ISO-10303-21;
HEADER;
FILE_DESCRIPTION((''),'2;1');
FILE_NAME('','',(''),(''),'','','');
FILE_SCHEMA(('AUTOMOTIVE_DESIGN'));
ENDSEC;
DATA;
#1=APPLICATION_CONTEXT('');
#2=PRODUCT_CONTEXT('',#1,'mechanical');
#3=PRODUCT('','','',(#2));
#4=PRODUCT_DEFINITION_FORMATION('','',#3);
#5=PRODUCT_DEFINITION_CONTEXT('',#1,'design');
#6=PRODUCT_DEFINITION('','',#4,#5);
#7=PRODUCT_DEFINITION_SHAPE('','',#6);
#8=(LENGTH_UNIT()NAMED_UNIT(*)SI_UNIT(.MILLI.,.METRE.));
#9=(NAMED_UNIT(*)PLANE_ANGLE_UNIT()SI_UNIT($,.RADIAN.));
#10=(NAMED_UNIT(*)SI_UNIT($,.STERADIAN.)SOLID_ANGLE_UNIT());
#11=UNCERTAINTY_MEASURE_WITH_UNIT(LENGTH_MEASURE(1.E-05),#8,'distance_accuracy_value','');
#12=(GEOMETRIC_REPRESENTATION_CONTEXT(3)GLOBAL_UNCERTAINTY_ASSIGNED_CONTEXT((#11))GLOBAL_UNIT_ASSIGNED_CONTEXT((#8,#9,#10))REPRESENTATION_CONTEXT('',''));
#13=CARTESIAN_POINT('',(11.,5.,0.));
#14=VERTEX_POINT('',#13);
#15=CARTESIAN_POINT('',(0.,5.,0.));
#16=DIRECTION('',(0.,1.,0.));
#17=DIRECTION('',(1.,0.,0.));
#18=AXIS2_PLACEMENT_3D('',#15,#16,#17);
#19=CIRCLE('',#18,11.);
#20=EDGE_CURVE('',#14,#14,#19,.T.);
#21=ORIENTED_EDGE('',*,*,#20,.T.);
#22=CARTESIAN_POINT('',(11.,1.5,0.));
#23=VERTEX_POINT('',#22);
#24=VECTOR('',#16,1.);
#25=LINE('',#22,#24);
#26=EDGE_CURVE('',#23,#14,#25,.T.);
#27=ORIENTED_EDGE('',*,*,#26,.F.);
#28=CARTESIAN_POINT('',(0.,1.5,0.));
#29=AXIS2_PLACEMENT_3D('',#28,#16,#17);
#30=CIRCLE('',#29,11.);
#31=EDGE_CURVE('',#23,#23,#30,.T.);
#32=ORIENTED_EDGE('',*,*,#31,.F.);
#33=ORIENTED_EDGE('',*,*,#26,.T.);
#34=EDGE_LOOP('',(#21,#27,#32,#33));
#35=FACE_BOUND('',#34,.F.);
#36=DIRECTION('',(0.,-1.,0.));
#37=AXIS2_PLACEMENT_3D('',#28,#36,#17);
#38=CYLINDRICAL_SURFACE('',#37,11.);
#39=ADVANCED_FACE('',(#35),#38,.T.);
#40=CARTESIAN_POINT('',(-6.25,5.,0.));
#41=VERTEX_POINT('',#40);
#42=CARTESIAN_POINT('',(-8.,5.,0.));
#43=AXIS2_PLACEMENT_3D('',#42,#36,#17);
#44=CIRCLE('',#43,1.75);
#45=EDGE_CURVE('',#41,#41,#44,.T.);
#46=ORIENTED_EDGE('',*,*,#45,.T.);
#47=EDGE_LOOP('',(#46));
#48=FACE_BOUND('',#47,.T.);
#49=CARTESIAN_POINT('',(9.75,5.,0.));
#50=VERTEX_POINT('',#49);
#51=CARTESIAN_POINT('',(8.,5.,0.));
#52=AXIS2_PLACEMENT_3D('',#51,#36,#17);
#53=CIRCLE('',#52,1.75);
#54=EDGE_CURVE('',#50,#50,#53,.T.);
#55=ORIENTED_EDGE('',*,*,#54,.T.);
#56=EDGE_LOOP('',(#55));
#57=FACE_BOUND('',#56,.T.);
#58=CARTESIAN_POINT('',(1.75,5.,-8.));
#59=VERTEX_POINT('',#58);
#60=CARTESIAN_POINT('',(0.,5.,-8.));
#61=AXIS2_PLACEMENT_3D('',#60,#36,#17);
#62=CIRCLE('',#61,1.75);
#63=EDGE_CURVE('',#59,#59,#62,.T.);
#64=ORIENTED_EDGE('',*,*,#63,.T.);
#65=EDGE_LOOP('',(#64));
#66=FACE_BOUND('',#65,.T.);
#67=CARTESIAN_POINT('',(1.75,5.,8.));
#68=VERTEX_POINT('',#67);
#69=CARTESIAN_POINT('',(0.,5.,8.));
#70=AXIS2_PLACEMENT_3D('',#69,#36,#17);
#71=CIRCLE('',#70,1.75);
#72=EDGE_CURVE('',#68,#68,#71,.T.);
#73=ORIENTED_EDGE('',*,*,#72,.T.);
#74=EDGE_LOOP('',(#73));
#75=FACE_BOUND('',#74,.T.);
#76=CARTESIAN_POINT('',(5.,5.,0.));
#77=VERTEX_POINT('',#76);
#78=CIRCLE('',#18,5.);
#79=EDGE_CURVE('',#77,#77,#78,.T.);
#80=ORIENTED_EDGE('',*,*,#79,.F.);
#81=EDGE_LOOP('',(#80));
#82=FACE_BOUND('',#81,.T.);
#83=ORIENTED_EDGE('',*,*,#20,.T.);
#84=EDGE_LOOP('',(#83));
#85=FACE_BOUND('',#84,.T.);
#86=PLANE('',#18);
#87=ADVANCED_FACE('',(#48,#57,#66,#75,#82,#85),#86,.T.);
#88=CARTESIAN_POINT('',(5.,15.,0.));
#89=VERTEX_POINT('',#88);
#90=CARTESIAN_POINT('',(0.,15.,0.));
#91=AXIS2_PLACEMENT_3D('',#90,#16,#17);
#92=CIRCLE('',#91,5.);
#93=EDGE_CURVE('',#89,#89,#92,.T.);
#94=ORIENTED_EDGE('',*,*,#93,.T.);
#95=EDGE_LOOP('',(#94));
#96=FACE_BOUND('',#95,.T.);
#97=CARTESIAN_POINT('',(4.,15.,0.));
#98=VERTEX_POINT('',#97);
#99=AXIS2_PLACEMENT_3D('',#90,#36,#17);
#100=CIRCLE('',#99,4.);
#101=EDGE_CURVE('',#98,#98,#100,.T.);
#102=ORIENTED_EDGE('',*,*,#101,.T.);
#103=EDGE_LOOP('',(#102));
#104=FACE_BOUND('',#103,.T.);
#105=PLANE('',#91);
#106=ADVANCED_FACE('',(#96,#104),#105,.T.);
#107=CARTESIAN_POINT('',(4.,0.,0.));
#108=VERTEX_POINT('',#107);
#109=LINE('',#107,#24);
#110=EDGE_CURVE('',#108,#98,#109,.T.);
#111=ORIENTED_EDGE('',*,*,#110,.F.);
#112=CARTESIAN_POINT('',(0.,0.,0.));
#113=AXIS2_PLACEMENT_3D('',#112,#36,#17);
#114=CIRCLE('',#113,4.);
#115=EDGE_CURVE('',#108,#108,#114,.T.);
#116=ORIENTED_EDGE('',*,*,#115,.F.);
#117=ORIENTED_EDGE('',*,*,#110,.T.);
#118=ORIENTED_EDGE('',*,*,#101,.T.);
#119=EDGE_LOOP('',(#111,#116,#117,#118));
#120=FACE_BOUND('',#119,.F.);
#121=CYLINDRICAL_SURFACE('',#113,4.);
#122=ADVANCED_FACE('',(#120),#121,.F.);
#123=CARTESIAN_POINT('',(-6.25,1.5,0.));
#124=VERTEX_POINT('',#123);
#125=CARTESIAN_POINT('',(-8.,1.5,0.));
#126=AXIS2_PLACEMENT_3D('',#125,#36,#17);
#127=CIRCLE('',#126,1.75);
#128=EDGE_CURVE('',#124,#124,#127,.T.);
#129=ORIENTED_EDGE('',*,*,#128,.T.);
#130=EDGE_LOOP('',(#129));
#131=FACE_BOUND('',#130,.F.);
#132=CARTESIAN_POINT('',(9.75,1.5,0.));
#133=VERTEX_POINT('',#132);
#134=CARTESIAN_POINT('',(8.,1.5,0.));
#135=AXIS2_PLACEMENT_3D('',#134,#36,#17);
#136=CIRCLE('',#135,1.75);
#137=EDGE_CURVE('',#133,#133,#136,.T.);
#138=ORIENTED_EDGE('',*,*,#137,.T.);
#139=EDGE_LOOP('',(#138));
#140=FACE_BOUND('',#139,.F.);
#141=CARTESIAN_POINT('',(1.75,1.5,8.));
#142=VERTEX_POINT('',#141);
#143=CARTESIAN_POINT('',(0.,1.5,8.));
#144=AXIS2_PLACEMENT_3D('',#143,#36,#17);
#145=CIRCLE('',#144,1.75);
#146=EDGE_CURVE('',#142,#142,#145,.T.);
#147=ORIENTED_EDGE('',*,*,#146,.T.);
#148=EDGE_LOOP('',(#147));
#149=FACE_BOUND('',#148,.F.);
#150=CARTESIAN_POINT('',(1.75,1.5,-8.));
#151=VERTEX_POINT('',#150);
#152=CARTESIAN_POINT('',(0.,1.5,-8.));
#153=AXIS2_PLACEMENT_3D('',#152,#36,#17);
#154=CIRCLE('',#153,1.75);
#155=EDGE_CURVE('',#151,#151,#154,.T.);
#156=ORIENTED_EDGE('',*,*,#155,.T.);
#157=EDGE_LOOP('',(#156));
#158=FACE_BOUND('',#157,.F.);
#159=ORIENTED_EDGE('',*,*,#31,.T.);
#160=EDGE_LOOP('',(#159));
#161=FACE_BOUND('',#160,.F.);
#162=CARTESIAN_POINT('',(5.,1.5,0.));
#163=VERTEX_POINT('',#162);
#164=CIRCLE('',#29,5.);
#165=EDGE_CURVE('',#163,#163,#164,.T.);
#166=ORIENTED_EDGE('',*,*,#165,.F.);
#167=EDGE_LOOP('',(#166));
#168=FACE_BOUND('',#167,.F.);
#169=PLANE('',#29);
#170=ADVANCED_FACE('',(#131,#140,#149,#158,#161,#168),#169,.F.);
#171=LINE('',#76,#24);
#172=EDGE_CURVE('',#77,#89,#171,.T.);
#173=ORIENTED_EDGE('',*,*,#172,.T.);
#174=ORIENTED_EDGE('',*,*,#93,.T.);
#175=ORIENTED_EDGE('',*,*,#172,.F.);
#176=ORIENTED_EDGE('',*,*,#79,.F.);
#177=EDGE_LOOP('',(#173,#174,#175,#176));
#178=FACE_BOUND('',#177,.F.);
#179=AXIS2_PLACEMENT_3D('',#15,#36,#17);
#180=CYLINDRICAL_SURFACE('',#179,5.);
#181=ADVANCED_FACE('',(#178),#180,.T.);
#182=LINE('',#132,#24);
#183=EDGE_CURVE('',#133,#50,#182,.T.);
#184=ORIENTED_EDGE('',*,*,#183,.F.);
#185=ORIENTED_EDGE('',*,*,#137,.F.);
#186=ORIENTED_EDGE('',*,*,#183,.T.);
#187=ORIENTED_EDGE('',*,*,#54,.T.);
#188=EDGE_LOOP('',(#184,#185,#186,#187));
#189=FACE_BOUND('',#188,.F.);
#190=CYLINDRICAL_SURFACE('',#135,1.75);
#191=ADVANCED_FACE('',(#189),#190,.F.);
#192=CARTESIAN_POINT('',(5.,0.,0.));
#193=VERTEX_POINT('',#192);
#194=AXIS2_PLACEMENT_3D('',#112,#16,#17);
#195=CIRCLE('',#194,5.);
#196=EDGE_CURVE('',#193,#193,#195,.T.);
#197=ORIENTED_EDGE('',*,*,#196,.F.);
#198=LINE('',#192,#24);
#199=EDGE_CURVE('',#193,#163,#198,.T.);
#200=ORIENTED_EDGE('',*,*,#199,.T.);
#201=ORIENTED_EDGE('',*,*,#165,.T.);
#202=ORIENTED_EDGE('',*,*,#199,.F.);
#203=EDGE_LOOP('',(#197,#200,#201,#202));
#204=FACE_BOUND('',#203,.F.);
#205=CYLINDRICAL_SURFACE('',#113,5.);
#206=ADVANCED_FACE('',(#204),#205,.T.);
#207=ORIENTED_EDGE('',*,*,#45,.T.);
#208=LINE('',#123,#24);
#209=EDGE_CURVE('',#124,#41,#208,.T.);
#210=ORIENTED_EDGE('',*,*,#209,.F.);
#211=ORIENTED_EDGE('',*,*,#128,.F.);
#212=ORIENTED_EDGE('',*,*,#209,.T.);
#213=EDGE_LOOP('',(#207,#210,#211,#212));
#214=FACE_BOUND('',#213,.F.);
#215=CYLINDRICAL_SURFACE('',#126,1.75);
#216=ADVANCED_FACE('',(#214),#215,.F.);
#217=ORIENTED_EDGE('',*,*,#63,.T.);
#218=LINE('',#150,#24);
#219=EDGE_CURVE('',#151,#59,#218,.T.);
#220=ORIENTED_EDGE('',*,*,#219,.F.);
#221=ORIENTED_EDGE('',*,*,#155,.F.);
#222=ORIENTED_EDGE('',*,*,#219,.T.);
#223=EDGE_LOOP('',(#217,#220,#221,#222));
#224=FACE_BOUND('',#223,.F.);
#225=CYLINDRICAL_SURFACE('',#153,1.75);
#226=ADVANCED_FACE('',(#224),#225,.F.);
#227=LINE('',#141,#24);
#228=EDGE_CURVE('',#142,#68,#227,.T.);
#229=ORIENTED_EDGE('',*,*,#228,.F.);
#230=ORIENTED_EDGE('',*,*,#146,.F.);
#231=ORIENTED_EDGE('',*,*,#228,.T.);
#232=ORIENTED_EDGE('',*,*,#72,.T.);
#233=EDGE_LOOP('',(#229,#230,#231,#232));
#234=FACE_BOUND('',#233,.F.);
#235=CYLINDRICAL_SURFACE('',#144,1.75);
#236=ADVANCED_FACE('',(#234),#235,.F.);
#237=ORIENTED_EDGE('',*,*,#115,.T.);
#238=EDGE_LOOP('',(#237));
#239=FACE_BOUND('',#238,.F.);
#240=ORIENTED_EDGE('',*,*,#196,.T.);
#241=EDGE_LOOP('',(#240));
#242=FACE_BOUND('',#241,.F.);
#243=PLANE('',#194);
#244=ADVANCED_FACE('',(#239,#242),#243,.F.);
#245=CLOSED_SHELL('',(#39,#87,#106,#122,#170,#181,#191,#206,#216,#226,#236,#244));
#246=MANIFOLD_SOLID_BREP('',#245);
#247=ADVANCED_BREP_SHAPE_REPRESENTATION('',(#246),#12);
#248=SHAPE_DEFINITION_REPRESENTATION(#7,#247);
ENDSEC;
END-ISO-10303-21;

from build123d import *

# Parameters (mm, degrees)
SKETCH_1_R          = 5
EXTRUDE_1_DEPTH     = 1.5
SKETCH_2_R          = 11
EXTRUDE_2_DEPTH     = 3.5
SKETCH_3_R          = 5
EXTRUDE_3_DEPTH     = 10
SKETCH_4_R          = 4
CUT_EXTRUDE_1_DEPTH = 16
SKETCH_5_R          = 1.75
CUT_EXTRUDE_2_DEPTH = 16


with BuildPart() as part:
    # 草图1 → 凸台-拉伸1 (new body)
    with BuildSketch(Plane(origin=(0, 0, 0), x_dir=(1, 0, 0), z_dir=(0, 1, 0))):
        Circle(SKETCH_1_R)
    extrude(amount=EXTRUDE_1_DEPTH)

    # 草图2 → 凸台-拉伸2 (add)
    with BuildSketch(Plane(origin=(0, 1.5, 0), x_dir=(1, 0, 0), z_dir=(0, 1, 0))):
        Circle(SKETCH_2_R)
    extrude(amount=EXTRUDE_2_DEPTH)

    # 草图3 → 凸台-拉伸3 (add)
    with BuildSketch(Plane(origin=(0, 5, 0), x_dir=(1, 0, 0), z_dir=(0, 1, 0))):
        Circle(SKETCH_3_R)
    extrude(amount=EXTRUDE_3_DEPTH)

    # 草图4 → 切除-拉伸1 (cut)
    with BuildSketch(Plane.XZ):
        Circle(SKETCH_4_R)
    extrude(amount=-CUT_EXTRUDE_1_DEPTH, mode=Mode.SUBTRACT)

    # 草图5 → 切除-拉伸2 (cut)
    with BuildSketch(Plane.XZ.offset(-1.5)):
        with Locations((8, 0)):
            Circle(SKETCH_5_R)
        with Locations((0, -8)):
            Circle(SKETCH_5_R)
        with Locations((-8, 0)):
            Circle(SKETCH_5_R)
        with Locations((0, 8)):
            Circle(SKETCH_5_R)
    extrude(amount=-CUT_EXTRUDE_2_DEPTH, mode=Mode.SUBTRACT)


solid = part.part
